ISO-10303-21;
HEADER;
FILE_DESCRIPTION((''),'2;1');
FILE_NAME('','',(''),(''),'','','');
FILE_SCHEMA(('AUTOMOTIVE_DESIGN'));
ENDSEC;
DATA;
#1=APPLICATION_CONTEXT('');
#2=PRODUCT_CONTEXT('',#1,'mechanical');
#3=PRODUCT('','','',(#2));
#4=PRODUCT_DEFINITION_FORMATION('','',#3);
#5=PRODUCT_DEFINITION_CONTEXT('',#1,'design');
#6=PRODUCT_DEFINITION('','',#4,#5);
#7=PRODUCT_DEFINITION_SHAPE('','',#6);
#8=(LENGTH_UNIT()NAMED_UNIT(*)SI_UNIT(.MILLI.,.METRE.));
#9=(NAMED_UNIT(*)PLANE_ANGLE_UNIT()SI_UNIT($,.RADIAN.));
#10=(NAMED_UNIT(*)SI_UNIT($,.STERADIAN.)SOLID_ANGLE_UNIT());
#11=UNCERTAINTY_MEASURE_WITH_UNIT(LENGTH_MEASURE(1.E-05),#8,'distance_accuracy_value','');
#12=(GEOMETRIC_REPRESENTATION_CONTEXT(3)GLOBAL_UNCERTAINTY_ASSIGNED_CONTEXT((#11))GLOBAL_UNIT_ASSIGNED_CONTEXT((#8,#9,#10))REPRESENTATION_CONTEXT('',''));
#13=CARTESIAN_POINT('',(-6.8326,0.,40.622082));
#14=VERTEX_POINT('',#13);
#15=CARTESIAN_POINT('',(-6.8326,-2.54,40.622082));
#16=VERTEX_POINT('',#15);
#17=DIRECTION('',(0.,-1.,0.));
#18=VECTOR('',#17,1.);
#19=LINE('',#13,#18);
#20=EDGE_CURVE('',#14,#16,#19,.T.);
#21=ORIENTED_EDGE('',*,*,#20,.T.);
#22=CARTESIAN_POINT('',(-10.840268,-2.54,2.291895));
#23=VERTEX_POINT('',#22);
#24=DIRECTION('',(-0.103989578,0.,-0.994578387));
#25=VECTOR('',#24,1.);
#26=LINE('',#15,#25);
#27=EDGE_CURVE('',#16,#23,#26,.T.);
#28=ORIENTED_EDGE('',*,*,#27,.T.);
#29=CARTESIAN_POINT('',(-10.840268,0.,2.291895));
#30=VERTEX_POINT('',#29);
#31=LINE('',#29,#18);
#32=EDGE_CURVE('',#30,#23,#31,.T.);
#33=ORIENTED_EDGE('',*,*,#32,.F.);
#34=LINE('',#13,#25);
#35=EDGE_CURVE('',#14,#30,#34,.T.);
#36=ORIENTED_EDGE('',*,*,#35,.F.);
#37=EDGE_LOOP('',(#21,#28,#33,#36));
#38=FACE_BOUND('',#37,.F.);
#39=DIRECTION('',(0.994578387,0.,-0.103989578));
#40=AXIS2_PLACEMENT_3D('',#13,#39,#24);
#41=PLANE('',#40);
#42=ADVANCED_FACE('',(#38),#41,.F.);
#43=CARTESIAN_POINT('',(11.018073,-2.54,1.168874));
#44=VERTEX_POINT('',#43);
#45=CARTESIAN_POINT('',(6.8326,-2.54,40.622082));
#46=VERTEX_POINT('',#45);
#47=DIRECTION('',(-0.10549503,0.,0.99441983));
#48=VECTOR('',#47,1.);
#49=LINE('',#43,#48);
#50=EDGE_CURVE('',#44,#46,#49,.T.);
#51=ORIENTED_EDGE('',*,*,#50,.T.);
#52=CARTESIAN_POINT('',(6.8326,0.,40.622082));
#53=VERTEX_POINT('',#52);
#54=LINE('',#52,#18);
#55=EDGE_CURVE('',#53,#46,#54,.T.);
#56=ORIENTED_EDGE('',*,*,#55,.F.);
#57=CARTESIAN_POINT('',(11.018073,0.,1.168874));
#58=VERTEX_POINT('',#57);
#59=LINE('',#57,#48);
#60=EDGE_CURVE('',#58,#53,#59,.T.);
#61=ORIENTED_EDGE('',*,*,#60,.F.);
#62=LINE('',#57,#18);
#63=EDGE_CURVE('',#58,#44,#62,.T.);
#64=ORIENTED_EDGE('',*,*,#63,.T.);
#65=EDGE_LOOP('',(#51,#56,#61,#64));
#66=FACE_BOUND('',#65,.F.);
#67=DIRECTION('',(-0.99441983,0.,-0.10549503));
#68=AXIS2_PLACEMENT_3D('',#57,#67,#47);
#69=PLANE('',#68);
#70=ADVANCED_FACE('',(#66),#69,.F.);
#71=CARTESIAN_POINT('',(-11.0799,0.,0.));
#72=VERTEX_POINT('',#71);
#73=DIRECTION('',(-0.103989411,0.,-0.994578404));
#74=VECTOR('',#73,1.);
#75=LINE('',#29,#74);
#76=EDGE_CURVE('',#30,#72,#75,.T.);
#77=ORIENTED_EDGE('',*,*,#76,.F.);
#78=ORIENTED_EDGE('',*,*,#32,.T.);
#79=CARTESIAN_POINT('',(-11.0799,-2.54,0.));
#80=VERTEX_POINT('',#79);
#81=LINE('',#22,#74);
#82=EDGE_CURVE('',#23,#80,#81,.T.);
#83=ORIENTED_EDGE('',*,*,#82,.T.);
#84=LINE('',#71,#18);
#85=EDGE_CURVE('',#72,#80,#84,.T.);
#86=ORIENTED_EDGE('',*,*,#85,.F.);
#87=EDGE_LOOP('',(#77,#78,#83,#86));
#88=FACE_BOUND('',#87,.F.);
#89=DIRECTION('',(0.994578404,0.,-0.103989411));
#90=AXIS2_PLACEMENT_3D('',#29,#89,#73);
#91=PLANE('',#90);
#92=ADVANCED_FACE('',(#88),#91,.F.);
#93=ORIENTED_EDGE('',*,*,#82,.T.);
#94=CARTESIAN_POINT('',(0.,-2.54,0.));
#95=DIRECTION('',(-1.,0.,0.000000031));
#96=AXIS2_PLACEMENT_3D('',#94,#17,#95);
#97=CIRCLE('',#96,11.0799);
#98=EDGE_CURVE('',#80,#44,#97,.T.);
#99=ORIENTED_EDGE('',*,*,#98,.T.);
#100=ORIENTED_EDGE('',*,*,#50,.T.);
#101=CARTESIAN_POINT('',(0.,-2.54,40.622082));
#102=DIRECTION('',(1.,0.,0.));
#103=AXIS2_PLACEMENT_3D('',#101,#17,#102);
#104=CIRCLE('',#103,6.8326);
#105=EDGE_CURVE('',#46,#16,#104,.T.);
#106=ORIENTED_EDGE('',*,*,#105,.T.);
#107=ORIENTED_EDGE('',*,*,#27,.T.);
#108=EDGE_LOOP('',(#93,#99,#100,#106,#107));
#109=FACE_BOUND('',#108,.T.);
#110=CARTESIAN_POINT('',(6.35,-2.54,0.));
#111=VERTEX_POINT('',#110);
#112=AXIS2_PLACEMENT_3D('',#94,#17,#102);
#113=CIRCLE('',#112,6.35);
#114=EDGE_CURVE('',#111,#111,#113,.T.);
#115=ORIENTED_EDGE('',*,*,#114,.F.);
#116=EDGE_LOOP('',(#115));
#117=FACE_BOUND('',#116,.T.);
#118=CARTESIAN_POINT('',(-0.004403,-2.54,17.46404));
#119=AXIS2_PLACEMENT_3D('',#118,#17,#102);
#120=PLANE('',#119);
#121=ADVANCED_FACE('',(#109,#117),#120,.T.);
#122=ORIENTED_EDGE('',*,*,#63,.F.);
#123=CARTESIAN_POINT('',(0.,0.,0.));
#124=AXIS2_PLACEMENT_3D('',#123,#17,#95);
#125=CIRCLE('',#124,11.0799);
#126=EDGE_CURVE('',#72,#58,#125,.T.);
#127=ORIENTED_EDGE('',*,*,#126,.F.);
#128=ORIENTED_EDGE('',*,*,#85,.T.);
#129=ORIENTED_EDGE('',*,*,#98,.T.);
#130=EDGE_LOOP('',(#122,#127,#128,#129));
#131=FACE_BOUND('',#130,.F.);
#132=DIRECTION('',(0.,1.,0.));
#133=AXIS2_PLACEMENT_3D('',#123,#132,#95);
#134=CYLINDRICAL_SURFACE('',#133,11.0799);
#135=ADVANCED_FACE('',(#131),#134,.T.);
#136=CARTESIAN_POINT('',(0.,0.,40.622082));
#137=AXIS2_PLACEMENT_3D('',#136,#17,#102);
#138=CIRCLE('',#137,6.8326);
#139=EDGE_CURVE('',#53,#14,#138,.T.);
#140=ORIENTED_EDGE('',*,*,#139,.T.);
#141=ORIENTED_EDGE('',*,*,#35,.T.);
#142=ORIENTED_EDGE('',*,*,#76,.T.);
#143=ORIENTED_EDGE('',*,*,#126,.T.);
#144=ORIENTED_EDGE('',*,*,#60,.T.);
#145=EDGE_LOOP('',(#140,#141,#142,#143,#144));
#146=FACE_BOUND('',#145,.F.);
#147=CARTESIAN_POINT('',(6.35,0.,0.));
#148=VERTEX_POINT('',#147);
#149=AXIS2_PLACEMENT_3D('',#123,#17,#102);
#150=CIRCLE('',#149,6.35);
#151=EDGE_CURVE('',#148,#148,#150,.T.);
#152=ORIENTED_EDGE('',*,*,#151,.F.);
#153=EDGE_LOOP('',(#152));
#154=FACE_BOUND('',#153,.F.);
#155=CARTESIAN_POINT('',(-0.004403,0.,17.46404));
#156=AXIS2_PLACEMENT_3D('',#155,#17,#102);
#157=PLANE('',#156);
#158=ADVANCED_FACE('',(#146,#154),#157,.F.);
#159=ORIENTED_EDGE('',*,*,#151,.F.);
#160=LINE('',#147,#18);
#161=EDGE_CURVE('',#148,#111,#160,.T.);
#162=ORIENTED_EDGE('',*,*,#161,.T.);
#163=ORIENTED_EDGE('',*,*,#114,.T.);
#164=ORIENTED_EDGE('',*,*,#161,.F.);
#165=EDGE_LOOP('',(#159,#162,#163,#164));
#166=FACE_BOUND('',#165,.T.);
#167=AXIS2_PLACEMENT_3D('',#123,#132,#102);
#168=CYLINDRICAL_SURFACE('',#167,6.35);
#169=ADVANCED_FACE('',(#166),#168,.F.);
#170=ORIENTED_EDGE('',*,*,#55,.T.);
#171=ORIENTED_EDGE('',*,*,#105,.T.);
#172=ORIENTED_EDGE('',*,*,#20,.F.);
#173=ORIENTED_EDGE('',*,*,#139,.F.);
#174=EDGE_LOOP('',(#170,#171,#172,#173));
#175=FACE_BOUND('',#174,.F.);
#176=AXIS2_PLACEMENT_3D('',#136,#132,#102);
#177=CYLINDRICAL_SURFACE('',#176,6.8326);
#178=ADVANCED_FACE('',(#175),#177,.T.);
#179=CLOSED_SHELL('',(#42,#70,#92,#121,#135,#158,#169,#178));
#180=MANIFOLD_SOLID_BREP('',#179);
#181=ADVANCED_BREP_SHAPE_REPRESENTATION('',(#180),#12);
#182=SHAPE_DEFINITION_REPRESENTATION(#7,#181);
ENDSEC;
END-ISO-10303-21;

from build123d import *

# Parameters (mm, degrees)
F0_R     = 6.35
F1_DEPTH = 2.54


with BuildPart() as f1:
    # F0 (on Front) → F1 (new body)
    with BuildSketch(Plane.XZ):
        with BuildLine():
            Line((-6.8326, 40.622082), (-10.840268, 2.291895))
            Line((-10.840268, 2.291895), (-11.0799, 0))
            ThreePointArc((-11.0799, 0), (0.585254, -11.064433), (11.018073, 1.168874))
            Line((11.018073, 1.168874), (6.8326, 40.622082))
            ThreePointArc((6.8326, 40.622082), (0, 47.454682), (-6.8326, 40.622082))
        make_face()
        Circle(F0_R, mode=Mode.SUBTRACT)
    extrude(amount=F1_DEPTH)


solid = f1.part
